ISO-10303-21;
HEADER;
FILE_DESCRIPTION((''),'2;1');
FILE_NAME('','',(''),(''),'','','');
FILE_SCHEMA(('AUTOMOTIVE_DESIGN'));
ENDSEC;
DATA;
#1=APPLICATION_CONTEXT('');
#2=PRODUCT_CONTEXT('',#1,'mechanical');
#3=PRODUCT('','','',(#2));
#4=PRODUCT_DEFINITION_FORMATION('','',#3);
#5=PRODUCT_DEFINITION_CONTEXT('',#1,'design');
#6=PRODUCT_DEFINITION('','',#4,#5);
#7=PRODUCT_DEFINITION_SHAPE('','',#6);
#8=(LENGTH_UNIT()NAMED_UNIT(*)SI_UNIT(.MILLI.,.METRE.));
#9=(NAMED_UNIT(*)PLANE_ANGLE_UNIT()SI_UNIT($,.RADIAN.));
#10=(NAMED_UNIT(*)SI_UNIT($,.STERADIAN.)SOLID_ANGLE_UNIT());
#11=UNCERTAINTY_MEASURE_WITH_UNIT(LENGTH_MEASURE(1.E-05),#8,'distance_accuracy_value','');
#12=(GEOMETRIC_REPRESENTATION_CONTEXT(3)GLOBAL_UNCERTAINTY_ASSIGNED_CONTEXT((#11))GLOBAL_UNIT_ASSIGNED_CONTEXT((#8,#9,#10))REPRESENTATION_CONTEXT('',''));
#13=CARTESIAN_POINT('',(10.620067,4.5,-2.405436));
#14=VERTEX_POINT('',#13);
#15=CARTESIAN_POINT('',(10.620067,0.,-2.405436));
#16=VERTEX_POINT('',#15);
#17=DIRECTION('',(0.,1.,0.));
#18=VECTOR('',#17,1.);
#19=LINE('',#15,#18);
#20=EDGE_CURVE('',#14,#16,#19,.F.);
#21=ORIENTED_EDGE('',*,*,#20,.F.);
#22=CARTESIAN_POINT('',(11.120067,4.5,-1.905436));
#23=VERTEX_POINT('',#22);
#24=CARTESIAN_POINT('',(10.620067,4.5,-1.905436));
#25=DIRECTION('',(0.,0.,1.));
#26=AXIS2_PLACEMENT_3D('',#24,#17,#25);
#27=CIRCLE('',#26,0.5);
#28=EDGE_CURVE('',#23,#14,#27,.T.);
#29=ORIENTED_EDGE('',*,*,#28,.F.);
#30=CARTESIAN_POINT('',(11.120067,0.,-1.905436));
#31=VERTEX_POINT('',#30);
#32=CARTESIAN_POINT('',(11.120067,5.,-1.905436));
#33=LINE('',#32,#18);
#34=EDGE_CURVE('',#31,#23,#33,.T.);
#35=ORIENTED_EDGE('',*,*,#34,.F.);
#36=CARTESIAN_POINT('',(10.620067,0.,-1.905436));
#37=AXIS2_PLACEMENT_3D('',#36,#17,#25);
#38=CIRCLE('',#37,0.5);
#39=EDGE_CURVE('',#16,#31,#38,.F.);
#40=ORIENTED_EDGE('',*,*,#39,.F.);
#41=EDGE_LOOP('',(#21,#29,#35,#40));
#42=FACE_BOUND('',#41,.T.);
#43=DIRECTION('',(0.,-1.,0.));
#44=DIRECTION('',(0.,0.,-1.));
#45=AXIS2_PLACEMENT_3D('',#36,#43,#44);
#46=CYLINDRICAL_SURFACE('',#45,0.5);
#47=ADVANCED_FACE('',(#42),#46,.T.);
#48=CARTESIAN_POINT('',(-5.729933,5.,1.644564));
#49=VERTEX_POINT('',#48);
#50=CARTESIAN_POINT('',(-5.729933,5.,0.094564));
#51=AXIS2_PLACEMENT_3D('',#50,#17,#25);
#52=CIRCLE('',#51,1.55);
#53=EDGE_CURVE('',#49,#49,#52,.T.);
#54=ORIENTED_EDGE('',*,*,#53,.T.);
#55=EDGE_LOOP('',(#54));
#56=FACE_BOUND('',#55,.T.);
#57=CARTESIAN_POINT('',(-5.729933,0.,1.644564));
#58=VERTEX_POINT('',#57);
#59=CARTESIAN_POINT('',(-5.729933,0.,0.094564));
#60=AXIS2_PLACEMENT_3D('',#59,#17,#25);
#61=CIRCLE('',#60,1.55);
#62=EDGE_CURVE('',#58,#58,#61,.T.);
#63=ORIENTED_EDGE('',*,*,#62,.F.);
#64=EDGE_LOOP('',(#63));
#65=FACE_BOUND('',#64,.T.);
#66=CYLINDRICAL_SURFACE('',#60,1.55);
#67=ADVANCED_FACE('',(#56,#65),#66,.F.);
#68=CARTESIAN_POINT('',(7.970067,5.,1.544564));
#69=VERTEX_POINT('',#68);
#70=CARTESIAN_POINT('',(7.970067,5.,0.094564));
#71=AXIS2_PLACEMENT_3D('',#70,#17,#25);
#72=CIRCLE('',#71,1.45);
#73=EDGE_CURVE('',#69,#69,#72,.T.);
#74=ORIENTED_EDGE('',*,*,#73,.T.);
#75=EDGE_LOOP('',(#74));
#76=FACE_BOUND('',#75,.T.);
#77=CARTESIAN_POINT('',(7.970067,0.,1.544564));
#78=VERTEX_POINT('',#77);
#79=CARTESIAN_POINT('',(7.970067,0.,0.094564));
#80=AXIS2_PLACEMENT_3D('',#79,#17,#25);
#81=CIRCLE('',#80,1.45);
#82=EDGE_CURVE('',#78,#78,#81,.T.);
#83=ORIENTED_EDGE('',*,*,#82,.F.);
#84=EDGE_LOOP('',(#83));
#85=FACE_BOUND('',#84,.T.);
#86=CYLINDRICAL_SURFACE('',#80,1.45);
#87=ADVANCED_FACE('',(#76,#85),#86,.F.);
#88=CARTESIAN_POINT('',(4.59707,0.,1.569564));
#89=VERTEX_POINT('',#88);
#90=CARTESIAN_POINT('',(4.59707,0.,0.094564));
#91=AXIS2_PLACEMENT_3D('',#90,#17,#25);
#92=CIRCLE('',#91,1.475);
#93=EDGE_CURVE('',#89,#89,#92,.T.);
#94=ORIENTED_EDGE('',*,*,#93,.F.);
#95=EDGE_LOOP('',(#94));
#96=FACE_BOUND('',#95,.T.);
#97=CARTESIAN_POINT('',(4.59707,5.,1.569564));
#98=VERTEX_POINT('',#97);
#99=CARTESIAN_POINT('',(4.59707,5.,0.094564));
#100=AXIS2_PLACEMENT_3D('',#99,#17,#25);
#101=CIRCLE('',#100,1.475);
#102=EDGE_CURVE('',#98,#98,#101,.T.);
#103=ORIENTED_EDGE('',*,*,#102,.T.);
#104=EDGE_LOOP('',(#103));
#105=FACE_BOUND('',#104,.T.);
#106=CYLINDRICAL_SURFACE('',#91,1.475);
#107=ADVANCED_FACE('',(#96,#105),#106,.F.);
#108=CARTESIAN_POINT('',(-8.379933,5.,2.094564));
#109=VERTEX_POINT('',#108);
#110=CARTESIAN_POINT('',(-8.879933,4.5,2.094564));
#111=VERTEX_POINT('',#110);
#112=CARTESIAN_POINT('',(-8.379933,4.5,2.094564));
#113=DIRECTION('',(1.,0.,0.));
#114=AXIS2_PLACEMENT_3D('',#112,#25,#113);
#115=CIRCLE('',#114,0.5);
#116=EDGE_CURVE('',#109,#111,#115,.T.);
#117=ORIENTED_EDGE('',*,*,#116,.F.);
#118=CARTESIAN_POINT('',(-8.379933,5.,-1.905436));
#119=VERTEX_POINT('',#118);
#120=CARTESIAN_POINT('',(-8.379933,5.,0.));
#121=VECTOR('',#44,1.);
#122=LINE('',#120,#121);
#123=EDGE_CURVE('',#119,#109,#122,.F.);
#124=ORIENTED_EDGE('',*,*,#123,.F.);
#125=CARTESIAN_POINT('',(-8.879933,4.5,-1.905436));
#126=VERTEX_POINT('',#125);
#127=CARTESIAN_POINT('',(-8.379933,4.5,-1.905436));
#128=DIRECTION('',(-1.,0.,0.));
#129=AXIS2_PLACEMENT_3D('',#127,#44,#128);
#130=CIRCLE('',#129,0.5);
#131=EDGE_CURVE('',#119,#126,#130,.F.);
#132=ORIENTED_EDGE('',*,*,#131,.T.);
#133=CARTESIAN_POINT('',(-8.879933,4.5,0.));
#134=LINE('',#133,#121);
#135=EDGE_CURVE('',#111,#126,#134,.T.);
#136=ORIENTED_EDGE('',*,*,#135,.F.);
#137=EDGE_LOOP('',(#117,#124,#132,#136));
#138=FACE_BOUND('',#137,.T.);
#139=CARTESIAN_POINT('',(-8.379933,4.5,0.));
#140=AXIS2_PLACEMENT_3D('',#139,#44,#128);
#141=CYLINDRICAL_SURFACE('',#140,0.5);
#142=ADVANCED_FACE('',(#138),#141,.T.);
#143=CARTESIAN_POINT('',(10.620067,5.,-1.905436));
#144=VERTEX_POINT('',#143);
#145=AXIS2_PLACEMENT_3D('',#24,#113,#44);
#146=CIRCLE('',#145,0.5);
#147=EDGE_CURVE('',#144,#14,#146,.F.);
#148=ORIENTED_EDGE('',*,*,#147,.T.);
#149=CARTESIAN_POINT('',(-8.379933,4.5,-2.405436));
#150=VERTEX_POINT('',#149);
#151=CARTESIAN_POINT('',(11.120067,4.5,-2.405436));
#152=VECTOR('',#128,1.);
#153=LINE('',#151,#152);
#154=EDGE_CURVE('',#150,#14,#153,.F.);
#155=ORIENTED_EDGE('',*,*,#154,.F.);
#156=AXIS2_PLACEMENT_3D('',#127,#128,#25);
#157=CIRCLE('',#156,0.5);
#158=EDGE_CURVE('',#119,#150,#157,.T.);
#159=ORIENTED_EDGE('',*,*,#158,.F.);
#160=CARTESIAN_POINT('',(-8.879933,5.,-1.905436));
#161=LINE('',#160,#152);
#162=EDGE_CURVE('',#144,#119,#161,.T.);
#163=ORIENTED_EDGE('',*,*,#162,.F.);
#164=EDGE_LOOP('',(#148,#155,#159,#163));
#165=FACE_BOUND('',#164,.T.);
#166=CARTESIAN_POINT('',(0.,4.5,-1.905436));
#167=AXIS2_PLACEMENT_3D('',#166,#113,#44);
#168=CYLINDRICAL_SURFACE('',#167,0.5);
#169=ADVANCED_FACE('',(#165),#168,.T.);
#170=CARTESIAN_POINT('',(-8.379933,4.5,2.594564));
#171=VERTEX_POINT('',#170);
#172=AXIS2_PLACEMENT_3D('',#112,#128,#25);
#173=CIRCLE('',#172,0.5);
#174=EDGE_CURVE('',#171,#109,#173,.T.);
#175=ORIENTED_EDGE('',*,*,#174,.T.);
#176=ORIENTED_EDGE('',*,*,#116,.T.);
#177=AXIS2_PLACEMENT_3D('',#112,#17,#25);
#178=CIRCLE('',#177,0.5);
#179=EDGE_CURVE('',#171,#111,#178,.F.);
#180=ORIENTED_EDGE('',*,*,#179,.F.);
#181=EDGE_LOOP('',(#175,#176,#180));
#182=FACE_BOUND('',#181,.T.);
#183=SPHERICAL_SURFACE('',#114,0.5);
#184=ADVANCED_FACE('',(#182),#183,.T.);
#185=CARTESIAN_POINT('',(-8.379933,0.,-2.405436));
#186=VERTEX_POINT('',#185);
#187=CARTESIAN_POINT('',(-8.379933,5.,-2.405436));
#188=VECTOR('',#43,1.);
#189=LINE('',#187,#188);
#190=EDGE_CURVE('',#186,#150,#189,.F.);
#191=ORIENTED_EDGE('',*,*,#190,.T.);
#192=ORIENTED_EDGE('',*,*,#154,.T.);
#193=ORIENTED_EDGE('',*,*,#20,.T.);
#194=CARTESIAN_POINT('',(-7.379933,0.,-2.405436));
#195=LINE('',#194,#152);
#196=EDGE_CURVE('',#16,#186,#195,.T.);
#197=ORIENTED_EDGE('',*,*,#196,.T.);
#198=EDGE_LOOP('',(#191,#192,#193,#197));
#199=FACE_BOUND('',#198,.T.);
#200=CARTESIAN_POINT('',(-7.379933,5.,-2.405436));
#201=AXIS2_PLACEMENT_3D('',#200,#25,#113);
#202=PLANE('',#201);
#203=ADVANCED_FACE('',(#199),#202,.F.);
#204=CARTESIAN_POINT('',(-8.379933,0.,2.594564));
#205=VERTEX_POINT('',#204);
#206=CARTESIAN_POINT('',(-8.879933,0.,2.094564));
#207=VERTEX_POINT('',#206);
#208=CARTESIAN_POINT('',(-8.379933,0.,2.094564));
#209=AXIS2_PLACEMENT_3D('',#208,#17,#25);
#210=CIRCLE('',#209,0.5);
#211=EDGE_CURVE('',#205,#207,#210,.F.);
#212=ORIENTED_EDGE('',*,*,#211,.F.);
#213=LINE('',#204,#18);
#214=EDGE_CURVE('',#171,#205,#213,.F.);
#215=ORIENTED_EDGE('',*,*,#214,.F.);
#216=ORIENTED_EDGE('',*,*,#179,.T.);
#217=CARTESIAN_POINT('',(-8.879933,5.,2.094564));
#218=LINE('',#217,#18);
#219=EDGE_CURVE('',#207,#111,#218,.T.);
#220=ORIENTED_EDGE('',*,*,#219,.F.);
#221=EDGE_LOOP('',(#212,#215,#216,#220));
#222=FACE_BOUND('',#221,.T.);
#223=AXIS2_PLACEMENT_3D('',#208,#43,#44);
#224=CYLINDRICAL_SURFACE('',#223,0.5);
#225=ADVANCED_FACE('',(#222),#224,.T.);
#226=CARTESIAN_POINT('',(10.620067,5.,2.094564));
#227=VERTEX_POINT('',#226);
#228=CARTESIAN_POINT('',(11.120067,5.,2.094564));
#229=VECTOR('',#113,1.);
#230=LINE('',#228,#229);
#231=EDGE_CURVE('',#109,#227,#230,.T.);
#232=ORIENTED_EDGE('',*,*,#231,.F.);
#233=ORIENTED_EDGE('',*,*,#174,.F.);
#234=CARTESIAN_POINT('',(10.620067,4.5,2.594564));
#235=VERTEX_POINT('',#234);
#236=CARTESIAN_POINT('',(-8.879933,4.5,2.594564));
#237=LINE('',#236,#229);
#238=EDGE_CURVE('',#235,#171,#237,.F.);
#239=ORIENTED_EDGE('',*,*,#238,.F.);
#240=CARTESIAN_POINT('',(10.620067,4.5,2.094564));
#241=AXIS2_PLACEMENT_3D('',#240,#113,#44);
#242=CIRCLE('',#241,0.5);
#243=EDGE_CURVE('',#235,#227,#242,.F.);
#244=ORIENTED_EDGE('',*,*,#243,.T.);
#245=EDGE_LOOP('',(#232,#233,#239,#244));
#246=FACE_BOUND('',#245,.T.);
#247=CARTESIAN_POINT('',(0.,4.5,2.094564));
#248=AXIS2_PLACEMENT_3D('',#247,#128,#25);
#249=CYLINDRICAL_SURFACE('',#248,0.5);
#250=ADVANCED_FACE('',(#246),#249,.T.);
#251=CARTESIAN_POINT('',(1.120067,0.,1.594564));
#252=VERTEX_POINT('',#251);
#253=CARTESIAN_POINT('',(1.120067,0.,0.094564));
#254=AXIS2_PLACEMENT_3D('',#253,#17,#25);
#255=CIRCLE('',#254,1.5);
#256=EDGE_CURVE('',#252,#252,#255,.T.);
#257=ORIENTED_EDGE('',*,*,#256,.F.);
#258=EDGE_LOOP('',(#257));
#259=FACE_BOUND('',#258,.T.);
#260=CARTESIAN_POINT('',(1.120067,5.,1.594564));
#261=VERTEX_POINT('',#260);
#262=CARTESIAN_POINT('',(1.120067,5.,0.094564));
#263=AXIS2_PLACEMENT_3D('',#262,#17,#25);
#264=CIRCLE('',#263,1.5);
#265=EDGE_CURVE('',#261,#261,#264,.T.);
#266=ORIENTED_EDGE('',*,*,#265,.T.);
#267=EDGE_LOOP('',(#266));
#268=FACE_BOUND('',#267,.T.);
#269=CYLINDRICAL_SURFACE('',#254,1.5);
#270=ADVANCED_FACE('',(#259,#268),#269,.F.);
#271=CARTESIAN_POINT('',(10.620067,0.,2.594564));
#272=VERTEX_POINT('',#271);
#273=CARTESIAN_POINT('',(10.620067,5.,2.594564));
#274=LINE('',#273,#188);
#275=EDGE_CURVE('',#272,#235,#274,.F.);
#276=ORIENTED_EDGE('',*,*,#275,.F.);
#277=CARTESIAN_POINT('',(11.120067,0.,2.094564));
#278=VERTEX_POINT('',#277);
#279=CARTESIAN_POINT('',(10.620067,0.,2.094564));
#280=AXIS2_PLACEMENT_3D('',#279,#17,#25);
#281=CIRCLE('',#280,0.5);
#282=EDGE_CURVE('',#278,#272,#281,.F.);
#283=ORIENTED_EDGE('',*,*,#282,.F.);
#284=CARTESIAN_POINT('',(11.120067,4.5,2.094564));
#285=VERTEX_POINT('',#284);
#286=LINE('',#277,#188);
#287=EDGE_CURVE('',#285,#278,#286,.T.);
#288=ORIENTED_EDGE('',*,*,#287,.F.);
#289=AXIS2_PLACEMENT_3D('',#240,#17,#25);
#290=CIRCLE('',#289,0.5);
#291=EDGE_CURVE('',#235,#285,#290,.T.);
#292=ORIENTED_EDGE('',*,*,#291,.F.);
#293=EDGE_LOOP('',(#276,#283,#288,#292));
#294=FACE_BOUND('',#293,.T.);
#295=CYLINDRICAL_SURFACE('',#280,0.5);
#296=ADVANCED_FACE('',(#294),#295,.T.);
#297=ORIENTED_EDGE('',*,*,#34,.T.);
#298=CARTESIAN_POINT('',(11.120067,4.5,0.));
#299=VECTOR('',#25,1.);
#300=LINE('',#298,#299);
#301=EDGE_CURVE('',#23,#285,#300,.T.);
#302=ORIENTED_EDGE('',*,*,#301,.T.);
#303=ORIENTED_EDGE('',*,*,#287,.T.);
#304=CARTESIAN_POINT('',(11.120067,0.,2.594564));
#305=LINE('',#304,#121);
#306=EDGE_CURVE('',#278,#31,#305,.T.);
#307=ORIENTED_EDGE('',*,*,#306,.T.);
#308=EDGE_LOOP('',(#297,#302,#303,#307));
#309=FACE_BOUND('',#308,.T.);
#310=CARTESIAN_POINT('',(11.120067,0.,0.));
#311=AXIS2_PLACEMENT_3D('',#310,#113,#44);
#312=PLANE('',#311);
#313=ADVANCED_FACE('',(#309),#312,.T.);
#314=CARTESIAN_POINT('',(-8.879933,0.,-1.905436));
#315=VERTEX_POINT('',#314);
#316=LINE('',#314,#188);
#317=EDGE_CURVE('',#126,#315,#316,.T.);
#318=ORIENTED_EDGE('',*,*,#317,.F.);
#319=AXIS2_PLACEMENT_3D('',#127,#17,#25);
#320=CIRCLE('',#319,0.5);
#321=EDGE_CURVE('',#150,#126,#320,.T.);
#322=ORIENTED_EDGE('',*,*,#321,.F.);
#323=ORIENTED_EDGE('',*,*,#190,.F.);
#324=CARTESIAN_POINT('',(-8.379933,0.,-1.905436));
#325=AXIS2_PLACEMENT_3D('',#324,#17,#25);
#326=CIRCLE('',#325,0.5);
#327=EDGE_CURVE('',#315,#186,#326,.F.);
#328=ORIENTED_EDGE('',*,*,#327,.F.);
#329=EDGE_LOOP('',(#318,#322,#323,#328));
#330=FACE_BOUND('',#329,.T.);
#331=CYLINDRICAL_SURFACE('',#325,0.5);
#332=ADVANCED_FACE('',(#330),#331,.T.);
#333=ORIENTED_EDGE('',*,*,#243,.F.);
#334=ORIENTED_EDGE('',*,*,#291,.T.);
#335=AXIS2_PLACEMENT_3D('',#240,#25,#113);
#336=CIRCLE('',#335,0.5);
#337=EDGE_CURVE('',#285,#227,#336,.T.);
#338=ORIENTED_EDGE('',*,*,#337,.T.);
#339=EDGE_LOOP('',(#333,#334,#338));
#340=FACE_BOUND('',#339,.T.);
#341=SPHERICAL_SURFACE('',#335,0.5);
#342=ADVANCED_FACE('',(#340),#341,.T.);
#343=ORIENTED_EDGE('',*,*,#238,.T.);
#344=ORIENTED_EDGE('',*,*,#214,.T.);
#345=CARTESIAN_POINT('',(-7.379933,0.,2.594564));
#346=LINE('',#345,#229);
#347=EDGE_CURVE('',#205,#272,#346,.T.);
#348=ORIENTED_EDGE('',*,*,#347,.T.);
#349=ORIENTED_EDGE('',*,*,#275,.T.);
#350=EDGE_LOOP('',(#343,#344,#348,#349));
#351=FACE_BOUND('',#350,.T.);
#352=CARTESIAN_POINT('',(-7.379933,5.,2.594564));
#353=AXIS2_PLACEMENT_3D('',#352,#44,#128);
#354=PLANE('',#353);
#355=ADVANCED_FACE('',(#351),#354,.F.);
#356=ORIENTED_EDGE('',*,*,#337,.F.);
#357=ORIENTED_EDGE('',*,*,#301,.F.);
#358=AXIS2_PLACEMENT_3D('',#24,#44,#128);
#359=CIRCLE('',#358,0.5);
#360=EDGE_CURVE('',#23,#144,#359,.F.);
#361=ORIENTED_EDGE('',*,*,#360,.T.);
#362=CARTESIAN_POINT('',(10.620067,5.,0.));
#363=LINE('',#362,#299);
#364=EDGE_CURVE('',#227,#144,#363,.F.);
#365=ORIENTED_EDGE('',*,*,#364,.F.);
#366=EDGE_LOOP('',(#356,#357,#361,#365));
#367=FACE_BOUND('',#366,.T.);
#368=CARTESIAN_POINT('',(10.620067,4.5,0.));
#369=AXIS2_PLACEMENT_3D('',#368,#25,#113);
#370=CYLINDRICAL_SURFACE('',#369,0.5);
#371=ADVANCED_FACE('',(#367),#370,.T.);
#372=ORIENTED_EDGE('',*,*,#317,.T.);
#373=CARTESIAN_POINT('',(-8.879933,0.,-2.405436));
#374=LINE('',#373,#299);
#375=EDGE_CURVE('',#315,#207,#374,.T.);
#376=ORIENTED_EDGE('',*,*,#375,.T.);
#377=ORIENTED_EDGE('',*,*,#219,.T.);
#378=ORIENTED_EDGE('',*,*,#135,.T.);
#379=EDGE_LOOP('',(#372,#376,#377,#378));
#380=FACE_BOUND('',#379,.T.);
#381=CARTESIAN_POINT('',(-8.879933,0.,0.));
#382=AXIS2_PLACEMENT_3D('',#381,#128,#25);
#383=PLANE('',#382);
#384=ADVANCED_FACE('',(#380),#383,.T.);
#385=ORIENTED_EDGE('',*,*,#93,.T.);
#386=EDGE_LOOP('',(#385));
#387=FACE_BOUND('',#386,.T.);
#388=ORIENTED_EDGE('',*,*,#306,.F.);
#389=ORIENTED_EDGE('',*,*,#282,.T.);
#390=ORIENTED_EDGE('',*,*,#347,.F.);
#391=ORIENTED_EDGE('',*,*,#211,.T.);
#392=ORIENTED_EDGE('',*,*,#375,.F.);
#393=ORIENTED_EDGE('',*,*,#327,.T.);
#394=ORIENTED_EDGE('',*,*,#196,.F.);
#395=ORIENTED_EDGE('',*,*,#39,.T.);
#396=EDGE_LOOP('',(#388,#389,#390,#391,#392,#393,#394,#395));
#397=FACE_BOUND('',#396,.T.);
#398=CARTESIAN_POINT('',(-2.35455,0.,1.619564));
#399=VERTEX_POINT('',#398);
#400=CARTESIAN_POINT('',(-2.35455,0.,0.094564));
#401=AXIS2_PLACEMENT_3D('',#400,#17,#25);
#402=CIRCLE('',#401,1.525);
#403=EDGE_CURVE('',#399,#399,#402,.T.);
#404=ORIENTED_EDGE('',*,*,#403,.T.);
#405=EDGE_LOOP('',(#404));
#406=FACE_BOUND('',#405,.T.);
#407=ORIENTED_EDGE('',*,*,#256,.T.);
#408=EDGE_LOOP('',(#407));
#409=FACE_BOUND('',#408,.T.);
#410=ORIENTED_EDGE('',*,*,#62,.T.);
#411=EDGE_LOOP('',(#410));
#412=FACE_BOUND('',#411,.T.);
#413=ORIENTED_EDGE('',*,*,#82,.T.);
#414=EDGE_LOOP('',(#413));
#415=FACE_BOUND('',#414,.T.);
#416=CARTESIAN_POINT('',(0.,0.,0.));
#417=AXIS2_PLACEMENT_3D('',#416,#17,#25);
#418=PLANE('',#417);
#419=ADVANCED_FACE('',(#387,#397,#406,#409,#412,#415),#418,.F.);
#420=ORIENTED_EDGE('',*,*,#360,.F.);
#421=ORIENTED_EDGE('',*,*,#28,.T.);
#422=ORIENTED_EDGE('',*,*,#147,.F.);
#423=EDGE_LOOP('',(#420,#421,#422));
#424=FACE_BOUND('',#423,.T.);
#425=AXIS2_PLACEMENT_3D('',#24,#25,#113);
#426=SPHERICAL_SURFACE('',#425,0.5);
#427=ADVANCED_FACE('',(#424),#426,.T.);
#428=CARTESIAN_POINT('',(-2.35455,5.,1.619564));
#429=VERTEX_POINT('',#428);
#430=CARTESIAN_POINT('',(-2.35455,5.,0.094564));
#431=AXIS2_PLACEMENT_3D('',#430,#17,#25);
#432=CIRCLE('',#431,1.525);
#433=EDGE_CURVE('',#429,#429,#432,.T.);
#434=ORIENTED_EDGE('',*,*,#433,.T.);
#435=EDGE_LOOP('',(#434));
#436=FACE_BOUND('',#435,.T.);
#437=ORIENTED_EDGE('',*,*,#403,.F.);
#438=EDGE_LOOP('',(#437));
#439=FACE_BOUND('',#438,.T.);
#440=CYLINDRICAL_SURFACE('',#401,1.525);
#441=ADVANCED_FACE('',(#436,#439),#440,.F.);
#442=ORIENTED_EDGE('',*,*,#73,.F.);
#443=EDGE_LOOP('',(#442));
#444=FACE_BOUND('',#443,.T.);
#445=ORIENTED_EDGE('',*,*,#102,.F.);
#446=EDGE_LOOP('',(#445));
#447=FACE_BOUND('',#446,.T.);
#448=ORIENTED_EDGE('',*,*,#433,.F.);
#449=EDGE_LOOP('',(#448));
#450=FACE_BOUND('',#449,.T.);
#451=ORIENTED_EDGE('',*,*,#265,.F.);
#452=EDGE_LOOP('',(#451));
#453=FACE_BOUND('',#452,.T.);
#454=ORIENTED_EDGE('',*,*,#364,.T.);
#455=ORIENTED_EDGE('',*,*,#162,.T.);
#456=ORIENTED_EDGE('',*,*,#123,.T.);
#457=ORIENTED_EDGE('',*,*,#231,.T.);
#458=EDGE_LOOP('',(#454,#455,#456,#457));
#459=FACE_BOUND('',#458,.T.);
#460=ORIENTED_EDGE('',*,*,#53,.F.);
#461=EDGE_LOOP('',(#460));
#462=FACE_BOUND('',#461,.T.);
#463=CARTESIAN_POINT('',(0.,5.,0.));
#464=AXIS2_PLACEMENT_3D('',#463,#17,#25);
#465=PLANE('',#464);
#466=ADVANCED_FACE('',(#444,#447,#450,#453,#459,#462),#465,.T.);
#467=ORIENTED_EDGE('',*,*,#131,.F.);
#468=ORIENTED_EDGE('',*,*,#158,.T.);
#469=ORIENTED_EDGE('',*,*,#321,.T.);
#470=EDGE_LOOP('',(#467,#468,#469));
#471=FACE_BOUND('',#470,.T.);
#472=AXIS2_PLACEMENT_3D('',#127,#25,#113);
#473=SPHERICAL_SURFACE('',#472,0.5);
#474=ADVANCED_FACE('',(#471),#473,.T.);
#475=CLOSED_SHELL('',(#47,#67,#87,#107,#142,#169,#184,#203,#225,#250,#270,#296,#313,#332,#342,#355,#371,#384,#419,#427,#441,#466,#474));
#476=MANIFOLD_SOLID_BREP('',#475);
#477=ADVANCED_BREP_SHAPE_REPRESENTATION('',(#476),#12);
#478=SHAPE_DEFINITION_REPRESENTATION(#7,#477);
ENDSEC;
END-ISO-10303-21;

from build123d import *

# Parameters (mm, degrees)
SKETCH2_W           = 17
SKETCH2_H           = 5
BOSS_EXTRUDE1_DEPTH = 5
SKETCH3_R           = 1.5
SKETCH3_R_2         = 1.45
SKETCH3_R_3         = 1.55
SKETCH3_R_4         = 1.525
SKETCH3_R_5         = 1.475
CUT_EXTRUDE1_DEPTH  = 6
SKETCH4_W           = 5
SKETCH4_H           = 5
BOSS_EXTRUDE2_DEPTH = 1.5
SKETCH5_W           = 5
SKETCH5_H           = 5
BOSS_EXTRUDE3_DEPTH = 1.5
FILLET1_R           = 0.5


with BuildPart() as part:
    # Sketch2 → Boss-Extrude1 (new body)
    with BuildSketch(Plane(origin=(0, 0, 0), x_dir=(1, 0, 0), z_dir=(0, 1, 0))):
        with Locations((1.12006706, -0.094563726)):
            Rectangle(SKETCH2_W, SKETCH2_H)
    extrude(amount=BOSS_EXTRUDE1_DEPTH)

    # Sketch3 → Cut-Extrude1 (cut, through all)
    with BuildSketch(Plane(origin=(0, 5, 0), x_dir=(1, 0, 0), z_dir=(0, 1, 0))):
        with Locations((1.12006706, -0.094563726)):
            Circle(SKETCH3_R)
        with Locations((7.97006706, -0.094563726)):
            Circle(SKETCH3_R_2)
        with Locations((-5.72993294, -0.094563726)):
            Circle(SKETCH3_R_3)
        with Locations((-2.354549871, -0.094563726)):
            Circle(SKETCH3_R_4)
        with Locations((4.597069825, -0.094563726)):
            Circle(SKETCH3_R_5)
    extrude(amount=-CUT_EXTRUDE1_DEPTH, mode=Mode.SUBTRACT)

    # Sketch4 → Boss-Extrude2 (add)
    with BuildSketch(Plane.ZY.offset(7.37993294)):
        with Locations((0.094563726, 2.5)):
            Rectangle(SKETCH4_W, SKETCH4_H)
    extrude(amount=BOSS_EXTRUDE2_DEPTH)

    # Sketch5 → Boss-Extrude3 (add)
    with BuildSketch(Plane(origin=(9.62006706, 0, 0), x_dir=(0, 0, -1), z_dir=(1, 0, 0))):
        with Locations((-0.094563726, 2.5)):
            Rectangle(SKETCH5_W, SKETCH5_H)
    extrude(amount=BOSS_EXTRUDE3_DEPTH)

    # Fillet1
    fillet1_edges = [part.edges().sort_by_distance(p)[0] for p in [
        (1.12006706, 5, -2.405436274),
        (-8.87993294, 2.5, -2.405436274),
        (-8.87993294, 2.5, 2.594563726),
        (-8.87993294, 5, 0.094563726),
        (11.12006706, 2.5, 2.594563726),
        (11.12006706, 2.5, -2.405436274),
        (11.12006706, 5, 0.094563726),
        (1.12006706, 5, 2.594563726),
    ]]
    fillet(fillet1_edges, radius=FILLET1_R)


solid = part.part
